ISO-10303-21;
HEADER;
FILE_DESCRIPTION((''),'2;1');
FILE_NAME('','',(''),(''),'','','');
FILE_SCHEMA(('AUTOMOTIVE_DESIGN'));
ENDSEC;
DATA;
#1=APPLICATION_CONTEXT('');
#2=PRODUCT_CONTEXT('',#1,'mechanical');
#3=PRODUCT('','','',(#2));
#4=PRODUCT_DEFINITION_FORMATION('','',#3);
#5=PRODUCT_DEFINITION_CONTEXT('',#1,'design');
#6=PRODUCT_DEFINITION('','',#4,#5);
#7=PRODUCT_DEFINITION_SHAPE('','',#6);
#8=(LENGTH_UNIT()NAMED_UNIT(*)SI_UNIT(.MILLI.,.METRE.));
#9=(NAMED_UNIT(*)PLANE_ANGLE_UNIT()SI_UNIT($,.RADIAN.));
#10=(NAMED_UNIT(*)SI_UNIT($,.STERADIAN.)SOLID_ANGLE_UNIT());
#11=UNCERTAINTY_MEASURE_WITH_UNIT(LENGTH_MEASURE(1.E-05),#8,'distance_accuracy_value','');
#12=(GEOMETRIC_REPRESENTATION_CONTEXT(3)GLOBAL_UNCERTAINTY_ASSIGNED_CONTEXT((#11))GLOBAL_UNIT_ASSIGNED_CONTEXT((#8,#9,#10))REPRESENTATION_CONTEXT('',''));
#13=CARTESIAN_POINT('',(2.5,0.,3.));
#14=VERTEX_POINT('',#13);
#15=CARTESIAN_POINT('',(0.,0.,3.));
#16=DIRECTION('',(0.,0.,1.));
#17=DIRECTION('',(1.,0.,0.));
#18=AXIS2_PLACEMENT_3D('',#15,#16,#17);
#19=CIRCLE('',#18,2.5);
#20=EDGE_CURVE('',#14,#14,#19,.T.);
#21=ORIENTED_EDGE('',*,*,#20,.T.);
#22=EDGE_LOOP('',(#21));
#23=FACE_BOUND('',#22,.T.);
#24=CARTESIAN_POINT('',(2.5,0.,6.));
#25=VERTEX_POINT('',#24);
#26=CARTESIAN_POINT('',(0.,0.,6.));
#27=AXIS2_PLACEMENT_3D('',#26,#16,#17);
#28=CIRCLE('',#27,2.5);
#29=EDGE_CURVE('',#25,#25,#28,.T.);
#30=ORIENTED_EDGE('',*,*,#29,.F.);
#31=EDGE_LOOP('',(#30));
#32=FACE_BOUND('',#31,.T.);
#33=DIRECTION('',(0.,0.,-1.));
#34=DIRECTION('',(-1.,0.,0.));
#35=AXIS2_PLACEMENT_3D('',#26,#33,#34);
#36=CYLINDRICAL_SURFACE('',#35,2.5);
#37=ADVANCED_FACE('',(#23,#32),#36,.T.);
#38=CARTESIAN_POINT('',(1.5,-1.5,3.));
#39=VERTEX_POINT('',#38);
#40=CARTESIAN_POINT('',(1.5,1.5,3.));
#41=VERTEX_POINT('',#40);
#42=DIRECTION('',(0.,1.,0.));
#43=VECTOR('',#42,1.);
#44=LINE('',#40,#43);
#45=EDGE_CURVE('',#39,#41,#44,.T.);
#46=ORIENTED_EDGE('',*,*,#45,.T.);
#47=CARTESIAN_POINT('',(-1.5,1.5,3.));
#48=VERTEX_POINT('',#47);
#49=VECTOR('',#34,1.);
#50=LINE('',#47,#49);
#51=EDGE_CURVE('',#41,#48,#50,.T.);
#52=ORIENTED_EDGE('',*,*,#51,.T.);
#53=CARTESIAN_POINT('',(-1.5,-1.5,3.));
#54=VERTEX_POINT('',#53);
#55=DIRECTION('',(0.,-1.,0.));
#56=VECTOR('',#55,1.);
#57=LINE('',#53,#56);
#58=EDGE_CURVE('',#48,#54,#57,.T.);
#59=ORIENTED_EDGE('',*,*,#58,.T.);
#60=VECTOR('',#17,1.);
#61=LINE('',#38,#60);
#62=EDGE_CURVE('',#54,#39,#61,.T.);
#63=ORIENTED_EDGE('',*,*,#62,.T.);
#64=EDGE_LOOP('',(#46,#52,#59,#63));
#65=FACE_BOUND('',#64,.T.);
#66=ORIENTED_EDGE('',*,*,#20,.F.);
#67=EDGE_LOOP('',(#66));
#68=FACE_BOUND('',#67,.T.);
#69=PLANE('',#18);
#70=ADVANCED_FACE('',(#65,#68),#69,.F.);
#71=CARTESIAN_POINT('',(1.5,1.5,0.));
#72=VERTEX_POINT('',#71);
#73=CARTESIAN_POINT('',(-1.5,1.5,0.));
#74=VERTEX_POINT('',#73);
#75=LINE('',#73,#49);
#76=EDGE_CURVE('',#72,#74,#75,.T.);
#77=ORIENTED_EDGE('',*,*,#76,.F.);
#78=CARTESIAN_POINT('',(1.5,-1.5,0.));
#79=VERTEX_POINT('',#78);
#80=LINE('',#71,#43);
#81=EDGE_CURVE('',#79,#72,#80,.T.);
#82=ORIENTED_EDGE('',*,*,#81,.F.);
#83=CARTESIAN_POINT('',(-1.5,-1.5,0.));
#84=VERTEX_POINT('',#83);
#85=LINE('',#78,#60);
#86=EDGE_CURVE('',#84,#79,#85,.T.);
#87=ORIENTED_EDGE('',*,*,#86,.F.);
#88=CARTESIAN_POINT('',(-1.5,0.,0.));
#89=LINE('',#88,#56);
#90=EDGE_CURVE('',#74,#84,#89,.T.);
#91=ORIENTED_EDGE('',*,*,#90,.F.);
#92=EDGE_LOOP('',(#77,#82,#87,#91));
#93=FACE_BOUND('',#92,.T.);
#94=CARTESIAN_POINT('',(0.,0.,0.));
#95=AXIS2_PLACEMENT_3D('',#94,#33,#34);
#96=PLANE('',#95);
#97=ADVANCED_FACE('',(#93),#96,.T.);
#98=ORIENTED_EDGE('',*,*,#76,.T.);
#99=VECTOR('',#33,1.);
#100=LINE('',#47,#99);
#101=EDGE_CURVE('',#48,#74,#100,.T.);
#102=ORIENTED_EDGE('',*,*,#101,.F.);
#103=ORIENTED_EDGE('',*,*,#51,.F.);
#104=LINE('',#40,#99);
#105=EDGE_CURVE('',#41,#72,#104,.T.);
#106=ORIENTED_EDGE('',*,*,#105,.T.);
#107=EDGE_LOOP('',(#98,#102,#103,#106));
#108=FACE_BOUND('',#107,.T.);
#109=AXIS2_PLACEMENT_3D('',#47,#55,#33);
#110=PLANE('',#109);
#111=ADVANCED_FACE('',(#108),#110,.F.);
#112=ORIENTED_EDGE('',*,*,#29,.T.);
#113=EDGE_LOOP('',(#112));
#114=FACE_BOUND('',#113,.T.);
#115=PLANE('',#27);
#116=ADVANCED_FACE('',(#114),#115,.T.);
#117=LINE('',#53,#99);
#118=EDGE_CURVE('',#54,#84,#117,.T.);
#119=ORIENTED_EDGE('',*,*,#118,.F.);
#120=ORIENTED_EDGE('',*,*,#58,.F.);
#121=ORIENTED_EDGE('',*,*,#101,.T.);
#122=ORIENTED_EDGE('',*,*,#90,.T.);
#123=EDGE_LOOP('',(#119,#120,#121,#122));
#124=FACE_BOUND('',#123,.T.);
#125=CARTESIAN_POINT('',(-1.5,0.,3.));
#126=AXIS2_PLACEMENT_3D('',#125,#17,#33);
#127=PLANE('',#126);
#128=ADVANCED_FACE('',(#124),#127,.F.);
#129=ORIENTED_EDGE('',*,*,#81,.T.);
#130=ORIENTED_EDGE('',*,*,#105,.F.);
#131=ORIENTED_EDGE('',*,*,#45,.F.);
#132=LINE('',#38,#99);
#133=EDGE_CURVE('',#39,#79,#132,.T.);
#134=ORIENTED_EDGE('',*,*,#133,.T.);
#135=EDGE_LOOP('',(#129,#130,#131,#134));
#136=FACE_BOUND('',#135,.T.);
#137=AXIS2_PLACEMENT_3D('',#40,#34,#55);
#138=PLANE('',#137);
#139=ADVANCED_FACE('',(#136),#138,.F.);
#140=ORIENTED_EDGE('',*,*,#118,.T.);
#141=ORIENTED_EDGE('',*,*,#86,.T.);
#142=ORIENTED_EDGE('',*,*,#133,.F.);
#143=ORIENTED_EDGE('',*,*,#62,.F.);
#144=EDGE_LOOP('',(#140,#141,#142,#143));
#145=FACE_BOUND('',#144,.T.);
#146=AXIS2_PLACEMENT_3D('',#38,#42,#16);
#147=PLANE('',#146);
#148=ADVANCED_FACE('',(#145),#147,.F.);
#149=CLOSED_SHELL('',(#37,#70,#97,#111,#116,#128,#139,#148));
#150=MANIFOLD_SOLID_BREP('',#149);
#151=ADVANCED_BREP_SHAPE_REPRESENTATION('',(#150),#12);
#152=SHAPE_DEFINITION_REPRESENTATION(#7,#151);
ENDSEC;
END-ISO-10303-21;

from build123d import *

# Parameters (mm, degrees)
BOSS_EXTRUDE1_DEPTH = 3
SKETCH2_R           = 2.5
BOSS_EXTRUDE2_DEPTH = 3


with BuildPart() as part:
    # Sketch1 → Boss-Extrude1 (new body)
    with BuildSketch(Plane.XY):
        Polygon((-1.5, 0), (-1.5, 1.5), (1.5, 1.5), (1.5, -1.5), (-1.5, -1.5), align=None)
    extrude(amount=BOSS_EXTRUDE1_DEPTH)

    # Sketch2 → Boss-Extrude2 (add)
    with BuildSketch(Plane.XY.offset(3)):
        Circle(SKETCH2_R)
    extrude(amount=BOSS_EXTRUDE2_DEPTH)


solid = part.part
